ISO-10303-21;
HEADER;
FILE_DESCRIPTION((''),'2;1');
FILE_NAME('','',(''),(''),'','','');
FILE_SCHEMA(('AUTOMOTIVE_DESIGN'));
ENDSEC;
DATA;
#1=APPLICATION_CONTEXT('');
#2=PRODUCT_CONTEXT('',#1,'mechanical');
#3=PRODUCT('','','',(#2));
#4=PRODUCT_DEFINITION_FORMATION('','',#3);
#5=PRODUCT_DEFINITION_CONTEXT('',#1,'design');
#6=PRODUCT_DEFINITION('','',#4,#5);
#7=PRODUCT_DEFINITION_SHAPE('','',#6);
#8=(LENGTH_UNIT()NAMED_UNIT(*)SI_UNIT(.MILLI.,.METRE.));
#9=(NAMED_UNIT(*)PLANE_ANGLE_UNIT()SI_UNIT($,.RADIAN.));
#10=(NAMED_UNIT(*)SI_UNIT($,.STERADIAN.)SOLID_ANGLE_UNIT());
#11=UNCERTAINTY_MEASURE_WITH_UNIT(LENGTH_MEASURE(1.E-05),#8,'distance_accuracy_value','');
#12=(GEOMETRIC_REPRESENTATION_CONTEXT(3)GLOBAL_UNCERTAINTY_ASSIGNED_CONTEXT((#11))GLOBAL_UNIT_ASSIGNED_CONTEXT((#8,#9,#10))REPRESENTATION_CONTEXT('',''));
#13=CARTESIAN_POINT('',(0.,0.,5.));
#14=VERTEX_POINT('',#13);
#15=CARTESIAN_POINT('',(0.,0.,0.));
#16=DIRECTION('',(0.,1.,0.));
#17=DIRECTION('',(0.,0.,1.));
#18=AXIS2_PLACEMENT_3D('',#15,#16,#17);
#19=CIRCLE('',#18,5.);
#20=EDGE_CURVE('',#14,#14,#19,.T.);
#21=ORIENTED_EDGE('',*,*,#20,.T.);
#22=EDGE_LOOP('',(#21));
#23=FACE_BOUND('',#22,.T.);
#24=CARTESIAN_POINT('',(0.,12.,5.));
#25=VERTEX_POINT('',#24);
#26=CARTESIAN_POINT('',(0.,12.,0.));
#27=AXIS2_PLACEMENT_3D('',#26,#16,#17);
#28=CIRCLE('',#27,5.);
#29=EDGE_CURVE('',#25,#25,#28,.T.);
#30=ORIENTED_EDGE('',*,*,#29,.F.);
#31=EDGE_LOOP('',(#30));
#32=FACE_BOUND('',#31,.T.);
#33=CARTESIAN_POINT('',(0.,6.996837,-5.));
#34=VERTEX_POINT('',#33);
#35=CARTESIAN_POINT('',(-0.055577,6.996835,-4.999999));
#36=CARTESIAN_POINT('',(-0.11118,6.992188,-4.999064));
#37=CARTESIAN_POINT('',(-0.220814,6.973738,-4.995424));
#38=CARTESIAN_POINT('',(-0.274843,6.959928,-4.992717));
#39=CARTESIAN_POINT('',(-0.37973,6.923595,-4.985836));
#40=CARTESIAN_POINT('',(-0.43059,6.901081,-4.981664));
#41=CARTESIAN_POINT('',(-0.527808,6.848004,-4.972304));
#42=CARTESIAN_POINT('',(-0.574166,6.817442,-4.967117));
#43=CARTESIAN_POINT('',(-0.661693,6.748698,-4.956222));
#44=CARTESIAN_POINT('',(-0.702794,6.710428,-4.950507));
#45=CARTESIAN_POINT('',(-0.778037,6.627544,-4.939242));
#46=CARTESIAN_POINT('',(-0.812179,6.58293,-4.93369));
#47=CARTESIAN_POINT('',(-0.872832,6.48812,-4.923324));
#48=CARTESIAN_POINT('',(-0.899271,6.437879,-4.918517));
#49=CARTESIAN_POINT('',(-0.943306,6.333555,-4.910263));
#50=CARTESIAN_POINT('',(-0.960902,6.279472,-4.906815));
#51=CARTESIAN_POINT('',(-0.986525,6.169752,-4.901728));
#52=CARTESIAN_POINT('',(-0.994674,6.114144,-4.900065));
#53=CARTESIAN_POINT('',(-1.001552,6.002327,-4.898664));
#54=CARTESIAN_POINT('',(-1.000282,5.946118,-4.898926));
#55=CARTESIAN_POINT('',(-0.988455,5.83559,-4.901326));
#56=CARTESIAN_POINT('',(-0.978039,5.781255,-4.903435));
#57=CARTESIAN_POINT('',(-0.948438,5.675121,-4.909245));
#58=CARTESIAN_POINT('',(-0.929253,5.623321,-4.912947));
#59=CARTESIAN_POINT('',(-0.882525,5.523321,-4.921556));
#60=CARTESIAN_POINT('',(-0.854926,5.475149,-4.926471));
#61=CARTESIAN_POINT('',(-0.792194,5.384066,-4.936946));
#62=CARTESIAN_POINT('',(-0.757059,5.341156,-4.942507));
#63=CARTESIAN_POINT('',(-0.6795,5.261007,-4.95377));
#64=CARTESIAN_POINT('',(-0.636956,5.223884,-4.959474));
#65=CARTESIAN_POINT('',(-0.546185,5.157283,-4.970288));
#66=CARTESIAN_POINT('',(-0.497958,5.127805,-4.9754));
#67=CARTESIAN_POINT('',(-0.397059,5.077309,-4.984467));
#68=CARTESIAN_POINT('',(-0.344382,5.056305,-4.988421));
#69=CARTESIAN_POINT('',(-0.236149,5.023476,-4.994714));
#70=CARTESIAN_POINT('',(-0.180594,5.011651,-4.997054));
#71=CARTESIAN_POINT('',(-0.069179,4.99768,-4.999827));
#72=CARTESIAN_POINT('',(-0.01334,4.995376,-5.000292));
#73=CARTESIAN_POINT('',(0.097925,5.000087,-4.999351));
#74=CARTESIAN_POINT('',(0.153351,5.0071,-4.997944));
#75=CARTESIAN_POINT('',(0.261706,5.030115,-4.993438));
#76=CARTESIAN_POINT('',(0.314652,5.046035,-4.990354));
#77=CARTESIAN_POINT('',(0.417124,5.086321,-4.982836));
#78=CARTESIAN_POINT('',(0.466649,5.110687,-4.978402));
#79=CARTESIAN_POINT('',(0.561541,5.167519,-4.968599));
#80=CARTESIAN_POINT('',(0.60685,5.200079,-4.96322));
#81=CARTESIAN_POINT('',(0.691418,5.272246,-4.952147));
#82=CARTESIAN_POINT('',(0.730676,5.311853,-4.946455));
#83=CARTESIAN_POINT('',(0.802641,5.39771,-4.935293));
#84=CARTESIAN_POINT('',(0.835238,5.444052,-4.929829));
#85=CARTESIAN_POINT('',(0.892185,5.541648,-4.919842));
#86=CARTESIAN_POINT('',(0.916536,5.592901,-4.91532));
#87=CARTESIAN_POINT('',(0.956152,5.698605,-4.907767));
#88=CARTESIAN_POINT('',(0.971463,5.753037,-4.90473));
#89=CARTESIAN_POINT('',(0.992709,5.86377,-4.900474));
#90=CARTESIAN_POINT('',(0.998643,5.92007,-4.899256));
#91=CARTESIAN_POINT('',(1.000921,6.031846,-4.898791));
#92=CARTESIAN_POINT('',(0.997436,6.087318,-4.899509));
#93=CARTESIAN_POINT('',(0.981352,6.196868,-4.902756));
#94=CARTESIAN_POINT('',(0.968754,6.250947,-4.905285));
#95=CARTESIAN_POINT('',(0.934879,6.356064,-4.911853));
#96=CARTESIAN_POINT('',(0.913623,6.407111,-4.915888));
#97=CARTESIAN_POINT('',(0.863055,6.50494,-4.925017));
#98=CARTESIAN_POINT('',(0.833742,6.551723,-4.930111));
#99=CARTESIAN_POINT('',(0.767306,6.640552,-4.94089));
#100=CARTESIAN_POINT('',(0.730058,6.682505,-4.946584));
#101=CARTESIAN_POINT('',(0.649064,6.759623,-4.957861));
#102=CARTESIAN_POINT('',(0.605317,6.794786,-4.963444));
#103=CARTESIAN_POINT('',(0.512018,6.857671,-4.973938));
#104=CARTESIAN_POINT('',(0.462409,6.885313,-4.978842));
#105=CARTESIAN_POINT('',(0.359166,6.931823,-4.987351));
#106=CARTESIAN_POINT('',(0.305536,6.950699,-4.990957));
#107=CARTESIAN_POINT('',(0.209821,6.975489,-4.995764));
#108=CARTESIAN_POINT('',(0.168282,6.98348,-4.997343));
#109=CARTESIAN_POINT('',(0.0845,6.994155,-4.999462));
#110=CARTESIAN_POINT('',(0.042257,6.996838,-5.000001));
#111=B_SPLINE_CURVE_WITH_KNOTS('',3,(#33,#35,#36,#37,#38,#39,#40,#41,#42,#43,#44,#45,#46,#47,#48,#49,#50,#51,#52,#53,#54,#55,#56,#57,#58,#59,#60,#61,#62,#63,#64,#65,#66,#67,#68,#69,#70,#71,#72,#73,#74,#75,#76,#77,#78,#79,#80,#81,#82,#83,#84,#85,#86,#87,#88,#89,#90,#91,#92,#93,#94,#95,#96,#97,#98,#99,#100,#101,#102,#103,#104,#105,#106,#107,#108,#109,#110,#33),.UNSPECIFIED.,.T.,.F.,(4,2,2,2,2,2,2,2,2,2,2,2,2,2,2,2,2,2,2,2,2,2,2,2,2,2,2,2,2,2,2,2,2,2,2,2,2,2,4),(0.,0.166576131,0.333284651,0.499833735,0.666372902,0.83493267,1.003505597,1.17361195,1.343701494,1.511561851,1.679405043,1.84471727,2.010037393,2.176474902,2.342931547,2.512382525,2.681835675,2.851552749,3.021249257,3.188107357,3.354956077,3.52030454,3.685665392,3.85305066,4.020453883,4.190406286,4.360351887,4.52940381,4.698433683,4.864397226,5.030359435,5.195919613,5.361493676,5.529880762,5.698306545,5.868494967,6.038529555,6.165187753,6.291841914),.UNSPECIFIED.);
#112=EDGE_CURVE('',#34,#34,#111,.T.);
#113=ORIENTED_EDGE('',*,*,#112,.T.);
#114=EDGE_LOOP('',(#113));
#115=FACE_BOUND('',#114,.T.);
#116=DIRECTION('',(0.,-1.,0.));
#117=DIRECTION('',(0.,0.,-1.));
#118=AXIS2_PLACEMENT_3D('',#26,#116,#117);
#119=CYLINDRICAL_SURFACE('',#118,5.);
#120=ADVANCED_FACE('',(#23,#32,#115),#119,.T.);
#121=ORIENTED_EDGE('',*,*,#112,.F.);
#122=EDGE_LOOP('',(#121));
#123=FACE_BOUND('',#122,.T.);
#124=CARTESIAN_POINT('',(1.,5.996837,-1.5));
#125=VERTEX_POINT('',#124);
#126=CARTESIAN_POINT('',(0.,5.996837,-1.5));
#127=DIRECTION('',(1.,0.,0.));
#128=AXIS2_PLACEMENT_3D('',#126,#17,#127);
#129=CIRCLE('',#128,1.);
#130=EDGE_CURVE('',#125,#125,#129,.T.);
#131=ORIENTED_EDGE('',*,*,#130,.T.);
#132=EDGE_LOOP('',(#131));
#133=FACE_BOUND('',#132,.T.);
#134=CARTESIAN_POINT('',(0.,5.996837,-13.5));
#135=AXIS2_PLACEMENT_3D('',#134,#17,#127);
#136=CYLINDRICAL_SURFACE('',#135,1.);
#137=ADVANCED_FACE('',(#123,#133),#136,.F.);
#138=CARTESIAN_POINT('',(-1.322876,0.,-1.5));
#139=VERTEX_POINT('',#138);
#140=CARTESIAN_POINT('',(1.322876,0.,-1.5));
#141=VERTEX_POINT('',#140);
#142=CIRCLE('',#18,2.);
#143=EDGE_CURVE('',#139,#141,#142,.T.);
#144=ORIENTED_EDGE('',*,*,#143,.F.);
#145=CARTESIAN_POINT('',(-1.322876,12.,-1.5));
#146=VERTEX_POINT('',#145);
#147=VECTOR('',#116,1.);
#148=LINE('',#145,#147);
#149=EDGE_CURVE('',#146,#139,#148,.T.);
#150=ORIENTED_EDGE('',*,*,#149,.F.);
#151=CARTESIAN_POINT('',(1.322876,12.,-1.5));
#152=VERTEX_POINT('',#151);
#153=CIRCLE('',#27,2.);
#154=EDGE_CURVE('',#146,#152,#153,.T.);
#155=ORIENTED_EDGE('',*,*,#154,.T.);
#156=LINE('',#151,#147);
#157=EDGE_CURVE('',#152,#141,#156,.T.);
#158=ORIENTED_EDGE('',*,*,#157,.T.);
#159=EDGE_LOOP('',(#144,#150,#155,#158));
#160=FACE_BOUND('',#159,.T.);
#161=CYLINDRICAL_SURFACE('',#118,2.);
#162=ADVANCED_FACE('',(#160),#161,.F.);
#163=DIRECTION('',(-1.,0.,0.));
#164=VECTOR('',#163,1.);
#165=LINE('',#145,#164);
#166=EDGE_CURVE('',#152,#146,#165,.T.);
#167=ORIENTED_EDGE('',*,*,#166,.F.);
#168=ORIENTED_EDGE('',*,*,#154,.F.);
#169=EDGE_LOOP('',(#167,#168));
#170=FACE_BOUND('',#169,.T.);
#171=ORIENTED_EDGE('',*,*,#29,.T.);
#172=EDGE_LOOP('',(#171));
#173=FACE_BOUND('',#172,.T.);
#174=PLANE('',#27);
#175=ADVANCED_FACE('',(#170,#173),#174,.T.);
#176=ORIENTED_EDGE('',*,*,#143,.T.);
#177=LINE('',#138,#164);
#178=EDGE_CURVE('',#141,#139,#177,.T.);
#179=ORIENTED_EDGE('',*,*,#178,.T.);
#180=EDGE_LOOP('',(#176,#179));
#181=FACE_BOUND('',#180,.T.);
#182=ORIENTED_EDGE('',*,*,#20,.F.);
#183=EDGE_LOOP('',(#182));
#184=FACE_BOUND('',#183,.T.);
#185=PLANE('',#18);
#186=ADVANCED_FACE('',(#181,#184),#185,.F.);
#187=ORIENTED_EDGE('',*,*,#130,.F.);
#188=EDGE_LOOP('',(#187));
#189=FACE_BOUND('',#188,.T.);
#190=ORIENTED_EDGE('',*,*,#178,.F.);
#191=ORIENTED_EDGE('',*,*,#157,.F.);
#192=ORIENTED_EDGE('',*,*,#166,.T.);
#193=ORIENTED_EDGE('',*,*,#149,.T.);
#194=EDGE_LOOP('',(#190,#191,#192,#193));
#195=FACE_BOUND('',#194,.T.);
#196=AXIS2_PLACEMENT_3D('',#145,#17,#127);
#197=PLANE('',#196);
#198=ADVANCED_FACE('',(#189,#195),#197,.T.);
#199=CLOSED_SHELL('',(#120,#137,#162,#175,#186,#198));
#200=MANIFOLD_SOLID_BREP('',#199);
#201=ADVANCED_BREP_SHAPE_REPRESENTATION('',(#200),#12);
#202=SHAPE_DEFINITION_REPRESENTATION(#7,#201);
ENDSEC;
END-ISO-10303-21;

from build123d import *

# Parameters (mm, degrees)
SKETCH1_R      = 5
EXTRUDE1_DEPTH = 12
SKETCH2_R      = 1
EXTRUDE2_DEPTH = 12


with BuildPart() as part:
    # Sketch1 → Extrude1 (new body)
    with BuildSketch(Plane(origin=(0, 0, 0), x_dir=(1, 0, 0), z_dir=(0, 1, 0))):
        with Locations(Location((0, 0, 0), (0, 0, 270))):
            Circle(SKETCH1_R)
        with BuildLine():
            Line((-1.322875656, 1.5), (1.322875656, 1.5))
            ThreePointArc((1.322875656, 1.5), (0, -2), (-1.322875656, 1.5))
        make_face(mode=Mode.SUBTRACT)
    extrude(amount=EXTRUDE1_DEPTH)

    # Sketch2 → Extrude2 (cut)
    with BuildSketch(Plane.XY.offset(-1.5)):
        with Locations((0, 5.996836657)):
            Circle(SKETCH2_R)
    extrude(amount=-EXTRUDE2_DEPTH, mode=Mode.SUBTRACT)


solid = part.part
